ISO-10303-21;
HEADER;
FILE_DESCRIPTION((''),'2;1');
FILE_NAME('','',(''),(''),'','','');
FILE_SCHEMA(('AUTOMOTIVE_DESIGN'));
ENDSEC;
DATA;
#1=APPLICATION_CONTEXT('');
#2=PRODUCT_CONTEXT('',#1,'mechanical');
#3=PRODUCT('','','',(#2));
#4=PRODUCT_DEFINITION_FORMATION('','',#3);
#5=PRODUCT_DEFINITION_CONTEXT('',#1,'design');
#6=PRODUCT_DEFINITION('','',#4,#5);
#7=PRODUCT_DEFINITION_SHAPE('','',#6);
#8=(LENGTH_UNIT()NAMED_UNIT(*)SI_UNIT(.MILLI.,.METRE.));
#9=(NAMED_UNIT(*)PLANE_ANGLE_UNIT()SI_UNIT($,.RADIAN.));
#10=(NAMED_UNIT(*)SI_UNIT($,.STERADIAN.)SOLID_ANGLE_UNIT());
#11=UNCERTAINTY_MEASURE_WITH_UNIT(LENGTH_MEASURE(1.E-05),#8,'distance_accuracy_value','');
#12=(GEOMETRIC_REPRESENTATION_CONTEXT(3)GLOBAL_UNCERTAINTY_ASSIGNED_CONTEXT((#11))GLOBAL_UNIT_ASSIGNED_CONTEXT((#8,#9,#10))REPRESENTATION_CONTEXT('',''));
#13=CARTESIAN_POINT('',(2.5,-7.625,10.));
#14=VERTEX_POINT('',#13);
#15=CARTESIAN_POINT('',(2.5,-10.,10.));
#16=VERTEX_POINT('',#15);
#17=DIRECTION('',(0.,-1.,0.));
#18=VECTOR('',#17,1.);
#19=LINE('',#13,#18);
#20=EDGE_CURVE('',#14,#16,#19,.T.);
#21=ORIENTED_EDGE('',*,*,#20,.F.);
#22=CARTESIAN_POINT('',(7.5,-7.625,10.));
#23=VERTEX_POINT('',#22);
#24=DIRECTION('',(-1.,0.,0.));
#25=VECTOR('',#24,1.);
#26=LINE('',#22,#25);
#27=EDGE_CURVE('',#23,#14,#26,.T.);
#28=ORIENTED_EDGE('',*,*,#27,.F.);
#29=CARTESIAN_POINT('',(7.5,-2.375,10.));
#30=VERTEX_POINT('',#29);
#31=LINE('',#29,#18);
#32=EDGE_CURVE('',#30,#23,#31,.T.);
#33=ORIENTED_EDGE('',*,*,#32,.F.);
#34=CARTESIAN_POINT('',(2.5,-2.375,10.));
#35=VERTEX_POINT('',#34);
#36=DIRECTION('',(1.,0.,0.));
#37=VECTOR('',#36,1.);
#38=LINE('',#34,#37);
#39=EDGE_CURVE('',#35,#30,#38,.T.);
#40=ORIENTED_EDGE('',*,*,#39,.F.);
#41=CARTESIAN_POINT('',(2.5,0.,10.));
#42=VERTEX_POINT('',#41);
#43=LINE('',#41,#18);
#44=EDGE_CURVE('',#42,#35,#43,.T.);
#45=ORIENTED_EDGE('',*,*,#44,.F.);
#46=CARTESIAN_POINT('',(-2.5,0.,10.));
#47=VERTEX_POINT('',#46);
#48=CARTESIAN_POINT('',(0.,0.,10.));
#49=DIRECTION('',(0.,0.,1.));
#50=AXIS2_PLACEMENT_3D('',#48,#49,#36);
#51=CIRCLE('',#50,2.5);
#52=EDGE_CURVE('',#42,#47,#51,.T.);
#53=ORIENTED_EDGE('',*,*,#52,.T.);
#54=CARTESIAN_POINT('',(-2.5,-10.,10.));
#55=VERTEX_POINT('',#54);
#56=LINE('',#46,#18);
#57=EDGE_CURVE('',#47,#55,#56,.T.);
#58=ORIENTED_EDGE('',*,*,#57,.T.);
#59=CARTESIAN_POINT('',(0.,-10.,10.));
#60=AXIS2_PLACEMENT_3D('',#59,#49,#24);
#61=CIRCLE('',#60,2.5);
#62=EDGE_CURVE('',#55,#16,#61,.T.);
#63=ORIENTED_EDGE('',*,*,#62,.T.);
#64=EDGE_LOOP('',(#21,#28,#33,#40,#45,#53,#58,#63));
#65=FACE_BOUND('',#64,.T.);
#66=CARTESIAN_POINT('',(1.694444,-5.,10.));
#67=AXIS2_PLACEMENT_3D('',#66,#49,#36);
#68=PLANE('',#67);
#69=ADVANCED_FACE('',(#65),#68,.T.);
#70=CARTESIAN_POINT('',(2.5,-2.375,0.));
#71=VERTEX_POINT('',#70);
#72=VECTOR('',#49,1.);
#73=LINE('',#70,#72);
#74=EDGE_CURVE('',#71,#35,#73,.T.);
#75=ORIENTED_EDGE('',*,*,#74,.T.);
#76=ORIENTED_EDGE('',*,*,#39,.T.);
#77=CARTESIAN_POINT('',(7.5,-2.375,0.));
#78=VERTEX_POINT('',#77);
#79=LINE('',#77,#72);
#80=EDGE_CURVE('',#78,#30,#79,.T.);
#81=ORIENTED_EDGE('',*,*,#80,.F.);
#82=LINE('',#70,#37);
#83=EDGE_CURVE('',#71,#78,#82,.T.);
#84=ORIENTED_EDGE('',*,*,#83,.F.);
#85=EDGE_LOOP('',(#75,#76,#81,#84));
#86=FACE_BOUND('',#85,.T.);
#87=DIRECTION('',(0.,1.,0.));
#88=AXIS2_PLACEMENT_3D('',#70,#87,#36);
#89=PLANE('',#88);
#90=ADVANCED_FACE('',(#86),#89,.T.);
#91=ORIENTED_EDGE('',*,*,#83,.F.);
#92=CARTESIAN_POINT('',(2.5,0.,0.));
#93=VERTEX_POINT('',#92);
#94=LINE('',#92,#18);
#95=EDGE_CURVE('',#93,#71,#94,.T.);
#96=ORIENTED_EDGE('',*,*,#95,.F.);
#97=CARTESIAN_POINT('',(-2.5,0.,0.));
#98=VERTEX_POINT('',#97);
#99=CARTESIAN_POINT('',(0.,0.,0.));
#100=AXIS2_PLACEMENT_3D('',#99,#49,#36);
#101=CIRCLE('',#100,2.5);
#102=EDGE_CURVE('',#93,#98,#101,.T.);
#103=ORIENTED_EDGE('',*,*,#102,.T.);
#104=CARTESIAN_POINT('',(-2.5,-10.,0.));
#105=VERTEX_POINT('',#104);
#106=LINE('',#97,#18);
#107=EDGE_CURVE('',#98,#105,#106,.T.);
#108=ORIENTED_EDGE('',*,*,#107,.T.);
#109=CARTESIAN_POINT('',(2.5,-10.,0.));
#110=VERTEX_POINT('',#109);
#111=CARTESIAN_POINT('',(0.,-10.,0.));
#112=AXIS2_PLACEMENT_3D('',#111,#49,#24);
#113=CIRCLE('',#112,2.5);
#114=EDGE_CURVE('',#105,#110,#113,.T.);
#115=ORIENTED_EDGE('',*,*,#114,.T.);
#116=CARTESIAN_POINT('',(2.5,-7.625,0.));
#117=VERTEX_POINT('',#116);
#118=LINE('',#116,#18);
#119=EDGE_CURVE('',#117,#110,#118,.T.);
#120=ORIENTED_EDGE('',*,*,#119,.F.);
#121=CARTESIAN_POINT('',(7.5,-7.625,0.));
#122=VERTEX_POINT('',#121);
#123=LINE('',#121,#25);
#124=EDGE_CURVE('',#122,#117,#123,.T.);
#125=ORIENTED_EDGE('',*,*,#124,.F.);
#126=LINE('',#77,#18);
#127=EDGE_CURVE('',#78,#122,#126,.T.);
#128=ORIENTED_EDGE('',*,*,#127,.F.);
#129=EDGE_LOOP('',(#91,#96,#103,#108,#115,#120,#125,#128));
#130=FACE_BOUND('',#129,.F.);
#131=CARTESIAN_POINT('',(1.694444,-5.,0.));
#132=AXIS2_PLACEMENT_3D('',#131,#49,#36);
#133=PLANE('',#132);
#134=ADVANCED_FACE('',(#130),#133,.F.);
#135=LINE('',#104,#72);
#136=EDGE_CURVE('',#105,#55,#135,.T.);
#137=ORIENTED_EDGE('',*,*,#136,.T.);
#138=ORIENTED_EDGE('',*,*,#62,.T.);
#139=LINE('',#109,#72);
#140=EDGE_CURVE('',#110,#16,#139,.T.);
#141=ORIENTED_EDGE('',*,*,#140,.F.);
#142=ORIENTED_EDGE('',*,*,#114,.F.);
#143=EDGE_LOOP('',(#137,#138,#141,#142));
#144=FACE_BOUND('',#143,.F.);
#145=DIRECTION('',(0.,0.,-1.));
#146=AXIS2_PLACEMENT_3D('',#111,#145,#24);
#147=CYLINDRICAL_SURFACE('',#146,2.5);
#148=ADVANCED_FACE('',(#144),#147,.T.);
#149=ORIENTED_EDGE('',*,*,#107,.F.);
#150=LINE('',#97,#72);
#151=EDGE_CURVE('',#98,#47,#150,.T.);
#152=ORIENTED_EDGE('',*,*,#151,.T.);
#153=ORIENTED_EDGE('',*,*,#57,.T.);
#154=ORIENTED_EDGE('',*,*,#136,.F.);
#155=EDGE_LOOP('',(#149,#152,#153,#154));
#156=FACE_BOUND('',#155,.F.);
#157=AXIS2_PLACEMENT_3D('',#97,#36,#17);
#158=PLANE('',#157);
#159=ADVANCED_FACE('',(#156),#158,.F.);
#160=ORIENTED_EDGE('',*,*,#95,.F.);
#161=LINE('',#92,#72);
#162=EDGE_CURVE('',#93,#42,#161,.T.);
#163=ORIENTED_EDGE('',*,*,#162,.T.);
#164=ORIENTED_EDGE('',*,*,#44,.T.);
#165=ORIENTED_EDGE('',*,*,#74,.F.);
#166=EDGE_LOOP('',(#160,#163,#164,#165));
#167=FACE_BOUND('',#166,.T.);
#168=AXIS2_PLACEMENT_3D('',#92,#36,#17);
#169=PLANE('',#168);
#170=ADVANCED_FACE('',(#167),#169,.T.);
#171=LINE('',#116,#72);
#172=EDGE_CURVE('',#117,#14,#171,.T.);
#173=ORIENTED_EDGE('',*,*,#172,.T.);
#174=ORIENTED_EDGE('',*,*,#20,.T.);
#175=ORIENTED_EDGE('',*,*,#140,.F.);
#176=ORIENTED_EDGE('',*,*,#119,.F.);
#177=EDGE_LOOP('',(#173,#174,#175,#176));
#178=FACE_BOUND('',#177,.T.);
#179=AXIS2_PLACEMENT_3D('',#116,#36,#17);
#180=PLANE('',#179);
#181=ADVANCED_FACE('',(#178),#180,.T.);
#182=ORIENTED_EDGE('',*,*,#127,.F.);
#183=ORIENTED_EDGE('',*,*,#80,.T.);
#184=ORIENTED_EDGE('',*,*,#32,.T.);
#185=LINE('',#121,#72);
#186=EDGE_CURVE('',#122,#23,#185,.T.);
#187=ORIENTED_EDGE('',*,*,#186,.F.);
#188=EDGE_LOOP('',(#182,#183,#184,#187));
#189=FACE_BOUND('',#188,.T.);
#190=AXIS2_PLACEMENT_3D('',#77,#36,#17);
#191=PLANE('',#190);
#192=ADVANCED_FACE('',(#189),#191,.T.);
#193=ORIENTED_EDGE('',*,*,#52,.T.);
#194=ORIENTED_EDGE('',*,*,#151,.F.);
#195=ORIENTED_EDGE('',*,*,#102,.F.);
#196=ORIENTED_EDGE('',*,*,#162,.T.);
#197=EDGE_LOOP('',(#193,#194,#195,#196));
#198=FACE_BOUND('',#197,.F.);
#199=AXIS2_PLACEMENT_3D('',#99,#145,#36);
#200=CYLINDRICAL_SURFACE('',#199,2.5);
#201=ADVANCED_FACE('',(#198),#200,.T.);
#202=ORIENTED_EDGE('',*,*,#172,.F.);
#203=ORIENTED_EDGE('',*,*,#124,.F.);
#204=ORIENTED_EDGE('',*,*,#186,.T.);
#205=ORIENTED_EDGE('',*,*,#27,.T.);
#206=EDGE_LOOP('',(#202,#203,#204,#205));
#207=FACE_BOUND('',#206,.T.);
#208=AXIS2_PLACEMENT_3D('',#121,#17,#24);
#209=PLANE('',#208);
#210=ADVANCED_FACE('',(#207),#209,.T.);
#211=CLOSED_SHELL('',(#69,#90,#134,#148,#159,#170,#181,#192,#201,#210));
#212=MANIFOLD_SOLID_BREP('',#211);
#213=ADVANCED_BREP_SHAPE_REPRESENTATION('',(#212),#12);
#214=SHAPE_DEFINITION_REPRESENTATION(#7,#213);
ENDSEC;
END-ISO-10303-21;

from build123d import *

# Parameters (mm, degrees)
PAD_DEPTH = 10


with BuildPart() as part:
    # Sketch → Pad (new body)
    with BuildSketch(Plane.XY):
        with BuildLine():
            ThreePointArc((2.5, 0), (0, 2.5), (-2.5, 0))
            Line((-2.5, 0), (-2.5, -10))
            ThreePointArc((-2.5, -10), (0, -12.5), (2.5, -10))
            Line((2.5, -7.625), (2.5, -10))
            Line((7.5, -7.625), (2.5, -7.625))
            Line((7.5, -2.375), (7.5, -7.625))
            Line((2.5, -2.375), (7.5, -2.375))
            Line((2.5, 0), (2.5, -2.375))
        make_face()
    extrude(amount=PAD_DEPTH)


solid = part.part
